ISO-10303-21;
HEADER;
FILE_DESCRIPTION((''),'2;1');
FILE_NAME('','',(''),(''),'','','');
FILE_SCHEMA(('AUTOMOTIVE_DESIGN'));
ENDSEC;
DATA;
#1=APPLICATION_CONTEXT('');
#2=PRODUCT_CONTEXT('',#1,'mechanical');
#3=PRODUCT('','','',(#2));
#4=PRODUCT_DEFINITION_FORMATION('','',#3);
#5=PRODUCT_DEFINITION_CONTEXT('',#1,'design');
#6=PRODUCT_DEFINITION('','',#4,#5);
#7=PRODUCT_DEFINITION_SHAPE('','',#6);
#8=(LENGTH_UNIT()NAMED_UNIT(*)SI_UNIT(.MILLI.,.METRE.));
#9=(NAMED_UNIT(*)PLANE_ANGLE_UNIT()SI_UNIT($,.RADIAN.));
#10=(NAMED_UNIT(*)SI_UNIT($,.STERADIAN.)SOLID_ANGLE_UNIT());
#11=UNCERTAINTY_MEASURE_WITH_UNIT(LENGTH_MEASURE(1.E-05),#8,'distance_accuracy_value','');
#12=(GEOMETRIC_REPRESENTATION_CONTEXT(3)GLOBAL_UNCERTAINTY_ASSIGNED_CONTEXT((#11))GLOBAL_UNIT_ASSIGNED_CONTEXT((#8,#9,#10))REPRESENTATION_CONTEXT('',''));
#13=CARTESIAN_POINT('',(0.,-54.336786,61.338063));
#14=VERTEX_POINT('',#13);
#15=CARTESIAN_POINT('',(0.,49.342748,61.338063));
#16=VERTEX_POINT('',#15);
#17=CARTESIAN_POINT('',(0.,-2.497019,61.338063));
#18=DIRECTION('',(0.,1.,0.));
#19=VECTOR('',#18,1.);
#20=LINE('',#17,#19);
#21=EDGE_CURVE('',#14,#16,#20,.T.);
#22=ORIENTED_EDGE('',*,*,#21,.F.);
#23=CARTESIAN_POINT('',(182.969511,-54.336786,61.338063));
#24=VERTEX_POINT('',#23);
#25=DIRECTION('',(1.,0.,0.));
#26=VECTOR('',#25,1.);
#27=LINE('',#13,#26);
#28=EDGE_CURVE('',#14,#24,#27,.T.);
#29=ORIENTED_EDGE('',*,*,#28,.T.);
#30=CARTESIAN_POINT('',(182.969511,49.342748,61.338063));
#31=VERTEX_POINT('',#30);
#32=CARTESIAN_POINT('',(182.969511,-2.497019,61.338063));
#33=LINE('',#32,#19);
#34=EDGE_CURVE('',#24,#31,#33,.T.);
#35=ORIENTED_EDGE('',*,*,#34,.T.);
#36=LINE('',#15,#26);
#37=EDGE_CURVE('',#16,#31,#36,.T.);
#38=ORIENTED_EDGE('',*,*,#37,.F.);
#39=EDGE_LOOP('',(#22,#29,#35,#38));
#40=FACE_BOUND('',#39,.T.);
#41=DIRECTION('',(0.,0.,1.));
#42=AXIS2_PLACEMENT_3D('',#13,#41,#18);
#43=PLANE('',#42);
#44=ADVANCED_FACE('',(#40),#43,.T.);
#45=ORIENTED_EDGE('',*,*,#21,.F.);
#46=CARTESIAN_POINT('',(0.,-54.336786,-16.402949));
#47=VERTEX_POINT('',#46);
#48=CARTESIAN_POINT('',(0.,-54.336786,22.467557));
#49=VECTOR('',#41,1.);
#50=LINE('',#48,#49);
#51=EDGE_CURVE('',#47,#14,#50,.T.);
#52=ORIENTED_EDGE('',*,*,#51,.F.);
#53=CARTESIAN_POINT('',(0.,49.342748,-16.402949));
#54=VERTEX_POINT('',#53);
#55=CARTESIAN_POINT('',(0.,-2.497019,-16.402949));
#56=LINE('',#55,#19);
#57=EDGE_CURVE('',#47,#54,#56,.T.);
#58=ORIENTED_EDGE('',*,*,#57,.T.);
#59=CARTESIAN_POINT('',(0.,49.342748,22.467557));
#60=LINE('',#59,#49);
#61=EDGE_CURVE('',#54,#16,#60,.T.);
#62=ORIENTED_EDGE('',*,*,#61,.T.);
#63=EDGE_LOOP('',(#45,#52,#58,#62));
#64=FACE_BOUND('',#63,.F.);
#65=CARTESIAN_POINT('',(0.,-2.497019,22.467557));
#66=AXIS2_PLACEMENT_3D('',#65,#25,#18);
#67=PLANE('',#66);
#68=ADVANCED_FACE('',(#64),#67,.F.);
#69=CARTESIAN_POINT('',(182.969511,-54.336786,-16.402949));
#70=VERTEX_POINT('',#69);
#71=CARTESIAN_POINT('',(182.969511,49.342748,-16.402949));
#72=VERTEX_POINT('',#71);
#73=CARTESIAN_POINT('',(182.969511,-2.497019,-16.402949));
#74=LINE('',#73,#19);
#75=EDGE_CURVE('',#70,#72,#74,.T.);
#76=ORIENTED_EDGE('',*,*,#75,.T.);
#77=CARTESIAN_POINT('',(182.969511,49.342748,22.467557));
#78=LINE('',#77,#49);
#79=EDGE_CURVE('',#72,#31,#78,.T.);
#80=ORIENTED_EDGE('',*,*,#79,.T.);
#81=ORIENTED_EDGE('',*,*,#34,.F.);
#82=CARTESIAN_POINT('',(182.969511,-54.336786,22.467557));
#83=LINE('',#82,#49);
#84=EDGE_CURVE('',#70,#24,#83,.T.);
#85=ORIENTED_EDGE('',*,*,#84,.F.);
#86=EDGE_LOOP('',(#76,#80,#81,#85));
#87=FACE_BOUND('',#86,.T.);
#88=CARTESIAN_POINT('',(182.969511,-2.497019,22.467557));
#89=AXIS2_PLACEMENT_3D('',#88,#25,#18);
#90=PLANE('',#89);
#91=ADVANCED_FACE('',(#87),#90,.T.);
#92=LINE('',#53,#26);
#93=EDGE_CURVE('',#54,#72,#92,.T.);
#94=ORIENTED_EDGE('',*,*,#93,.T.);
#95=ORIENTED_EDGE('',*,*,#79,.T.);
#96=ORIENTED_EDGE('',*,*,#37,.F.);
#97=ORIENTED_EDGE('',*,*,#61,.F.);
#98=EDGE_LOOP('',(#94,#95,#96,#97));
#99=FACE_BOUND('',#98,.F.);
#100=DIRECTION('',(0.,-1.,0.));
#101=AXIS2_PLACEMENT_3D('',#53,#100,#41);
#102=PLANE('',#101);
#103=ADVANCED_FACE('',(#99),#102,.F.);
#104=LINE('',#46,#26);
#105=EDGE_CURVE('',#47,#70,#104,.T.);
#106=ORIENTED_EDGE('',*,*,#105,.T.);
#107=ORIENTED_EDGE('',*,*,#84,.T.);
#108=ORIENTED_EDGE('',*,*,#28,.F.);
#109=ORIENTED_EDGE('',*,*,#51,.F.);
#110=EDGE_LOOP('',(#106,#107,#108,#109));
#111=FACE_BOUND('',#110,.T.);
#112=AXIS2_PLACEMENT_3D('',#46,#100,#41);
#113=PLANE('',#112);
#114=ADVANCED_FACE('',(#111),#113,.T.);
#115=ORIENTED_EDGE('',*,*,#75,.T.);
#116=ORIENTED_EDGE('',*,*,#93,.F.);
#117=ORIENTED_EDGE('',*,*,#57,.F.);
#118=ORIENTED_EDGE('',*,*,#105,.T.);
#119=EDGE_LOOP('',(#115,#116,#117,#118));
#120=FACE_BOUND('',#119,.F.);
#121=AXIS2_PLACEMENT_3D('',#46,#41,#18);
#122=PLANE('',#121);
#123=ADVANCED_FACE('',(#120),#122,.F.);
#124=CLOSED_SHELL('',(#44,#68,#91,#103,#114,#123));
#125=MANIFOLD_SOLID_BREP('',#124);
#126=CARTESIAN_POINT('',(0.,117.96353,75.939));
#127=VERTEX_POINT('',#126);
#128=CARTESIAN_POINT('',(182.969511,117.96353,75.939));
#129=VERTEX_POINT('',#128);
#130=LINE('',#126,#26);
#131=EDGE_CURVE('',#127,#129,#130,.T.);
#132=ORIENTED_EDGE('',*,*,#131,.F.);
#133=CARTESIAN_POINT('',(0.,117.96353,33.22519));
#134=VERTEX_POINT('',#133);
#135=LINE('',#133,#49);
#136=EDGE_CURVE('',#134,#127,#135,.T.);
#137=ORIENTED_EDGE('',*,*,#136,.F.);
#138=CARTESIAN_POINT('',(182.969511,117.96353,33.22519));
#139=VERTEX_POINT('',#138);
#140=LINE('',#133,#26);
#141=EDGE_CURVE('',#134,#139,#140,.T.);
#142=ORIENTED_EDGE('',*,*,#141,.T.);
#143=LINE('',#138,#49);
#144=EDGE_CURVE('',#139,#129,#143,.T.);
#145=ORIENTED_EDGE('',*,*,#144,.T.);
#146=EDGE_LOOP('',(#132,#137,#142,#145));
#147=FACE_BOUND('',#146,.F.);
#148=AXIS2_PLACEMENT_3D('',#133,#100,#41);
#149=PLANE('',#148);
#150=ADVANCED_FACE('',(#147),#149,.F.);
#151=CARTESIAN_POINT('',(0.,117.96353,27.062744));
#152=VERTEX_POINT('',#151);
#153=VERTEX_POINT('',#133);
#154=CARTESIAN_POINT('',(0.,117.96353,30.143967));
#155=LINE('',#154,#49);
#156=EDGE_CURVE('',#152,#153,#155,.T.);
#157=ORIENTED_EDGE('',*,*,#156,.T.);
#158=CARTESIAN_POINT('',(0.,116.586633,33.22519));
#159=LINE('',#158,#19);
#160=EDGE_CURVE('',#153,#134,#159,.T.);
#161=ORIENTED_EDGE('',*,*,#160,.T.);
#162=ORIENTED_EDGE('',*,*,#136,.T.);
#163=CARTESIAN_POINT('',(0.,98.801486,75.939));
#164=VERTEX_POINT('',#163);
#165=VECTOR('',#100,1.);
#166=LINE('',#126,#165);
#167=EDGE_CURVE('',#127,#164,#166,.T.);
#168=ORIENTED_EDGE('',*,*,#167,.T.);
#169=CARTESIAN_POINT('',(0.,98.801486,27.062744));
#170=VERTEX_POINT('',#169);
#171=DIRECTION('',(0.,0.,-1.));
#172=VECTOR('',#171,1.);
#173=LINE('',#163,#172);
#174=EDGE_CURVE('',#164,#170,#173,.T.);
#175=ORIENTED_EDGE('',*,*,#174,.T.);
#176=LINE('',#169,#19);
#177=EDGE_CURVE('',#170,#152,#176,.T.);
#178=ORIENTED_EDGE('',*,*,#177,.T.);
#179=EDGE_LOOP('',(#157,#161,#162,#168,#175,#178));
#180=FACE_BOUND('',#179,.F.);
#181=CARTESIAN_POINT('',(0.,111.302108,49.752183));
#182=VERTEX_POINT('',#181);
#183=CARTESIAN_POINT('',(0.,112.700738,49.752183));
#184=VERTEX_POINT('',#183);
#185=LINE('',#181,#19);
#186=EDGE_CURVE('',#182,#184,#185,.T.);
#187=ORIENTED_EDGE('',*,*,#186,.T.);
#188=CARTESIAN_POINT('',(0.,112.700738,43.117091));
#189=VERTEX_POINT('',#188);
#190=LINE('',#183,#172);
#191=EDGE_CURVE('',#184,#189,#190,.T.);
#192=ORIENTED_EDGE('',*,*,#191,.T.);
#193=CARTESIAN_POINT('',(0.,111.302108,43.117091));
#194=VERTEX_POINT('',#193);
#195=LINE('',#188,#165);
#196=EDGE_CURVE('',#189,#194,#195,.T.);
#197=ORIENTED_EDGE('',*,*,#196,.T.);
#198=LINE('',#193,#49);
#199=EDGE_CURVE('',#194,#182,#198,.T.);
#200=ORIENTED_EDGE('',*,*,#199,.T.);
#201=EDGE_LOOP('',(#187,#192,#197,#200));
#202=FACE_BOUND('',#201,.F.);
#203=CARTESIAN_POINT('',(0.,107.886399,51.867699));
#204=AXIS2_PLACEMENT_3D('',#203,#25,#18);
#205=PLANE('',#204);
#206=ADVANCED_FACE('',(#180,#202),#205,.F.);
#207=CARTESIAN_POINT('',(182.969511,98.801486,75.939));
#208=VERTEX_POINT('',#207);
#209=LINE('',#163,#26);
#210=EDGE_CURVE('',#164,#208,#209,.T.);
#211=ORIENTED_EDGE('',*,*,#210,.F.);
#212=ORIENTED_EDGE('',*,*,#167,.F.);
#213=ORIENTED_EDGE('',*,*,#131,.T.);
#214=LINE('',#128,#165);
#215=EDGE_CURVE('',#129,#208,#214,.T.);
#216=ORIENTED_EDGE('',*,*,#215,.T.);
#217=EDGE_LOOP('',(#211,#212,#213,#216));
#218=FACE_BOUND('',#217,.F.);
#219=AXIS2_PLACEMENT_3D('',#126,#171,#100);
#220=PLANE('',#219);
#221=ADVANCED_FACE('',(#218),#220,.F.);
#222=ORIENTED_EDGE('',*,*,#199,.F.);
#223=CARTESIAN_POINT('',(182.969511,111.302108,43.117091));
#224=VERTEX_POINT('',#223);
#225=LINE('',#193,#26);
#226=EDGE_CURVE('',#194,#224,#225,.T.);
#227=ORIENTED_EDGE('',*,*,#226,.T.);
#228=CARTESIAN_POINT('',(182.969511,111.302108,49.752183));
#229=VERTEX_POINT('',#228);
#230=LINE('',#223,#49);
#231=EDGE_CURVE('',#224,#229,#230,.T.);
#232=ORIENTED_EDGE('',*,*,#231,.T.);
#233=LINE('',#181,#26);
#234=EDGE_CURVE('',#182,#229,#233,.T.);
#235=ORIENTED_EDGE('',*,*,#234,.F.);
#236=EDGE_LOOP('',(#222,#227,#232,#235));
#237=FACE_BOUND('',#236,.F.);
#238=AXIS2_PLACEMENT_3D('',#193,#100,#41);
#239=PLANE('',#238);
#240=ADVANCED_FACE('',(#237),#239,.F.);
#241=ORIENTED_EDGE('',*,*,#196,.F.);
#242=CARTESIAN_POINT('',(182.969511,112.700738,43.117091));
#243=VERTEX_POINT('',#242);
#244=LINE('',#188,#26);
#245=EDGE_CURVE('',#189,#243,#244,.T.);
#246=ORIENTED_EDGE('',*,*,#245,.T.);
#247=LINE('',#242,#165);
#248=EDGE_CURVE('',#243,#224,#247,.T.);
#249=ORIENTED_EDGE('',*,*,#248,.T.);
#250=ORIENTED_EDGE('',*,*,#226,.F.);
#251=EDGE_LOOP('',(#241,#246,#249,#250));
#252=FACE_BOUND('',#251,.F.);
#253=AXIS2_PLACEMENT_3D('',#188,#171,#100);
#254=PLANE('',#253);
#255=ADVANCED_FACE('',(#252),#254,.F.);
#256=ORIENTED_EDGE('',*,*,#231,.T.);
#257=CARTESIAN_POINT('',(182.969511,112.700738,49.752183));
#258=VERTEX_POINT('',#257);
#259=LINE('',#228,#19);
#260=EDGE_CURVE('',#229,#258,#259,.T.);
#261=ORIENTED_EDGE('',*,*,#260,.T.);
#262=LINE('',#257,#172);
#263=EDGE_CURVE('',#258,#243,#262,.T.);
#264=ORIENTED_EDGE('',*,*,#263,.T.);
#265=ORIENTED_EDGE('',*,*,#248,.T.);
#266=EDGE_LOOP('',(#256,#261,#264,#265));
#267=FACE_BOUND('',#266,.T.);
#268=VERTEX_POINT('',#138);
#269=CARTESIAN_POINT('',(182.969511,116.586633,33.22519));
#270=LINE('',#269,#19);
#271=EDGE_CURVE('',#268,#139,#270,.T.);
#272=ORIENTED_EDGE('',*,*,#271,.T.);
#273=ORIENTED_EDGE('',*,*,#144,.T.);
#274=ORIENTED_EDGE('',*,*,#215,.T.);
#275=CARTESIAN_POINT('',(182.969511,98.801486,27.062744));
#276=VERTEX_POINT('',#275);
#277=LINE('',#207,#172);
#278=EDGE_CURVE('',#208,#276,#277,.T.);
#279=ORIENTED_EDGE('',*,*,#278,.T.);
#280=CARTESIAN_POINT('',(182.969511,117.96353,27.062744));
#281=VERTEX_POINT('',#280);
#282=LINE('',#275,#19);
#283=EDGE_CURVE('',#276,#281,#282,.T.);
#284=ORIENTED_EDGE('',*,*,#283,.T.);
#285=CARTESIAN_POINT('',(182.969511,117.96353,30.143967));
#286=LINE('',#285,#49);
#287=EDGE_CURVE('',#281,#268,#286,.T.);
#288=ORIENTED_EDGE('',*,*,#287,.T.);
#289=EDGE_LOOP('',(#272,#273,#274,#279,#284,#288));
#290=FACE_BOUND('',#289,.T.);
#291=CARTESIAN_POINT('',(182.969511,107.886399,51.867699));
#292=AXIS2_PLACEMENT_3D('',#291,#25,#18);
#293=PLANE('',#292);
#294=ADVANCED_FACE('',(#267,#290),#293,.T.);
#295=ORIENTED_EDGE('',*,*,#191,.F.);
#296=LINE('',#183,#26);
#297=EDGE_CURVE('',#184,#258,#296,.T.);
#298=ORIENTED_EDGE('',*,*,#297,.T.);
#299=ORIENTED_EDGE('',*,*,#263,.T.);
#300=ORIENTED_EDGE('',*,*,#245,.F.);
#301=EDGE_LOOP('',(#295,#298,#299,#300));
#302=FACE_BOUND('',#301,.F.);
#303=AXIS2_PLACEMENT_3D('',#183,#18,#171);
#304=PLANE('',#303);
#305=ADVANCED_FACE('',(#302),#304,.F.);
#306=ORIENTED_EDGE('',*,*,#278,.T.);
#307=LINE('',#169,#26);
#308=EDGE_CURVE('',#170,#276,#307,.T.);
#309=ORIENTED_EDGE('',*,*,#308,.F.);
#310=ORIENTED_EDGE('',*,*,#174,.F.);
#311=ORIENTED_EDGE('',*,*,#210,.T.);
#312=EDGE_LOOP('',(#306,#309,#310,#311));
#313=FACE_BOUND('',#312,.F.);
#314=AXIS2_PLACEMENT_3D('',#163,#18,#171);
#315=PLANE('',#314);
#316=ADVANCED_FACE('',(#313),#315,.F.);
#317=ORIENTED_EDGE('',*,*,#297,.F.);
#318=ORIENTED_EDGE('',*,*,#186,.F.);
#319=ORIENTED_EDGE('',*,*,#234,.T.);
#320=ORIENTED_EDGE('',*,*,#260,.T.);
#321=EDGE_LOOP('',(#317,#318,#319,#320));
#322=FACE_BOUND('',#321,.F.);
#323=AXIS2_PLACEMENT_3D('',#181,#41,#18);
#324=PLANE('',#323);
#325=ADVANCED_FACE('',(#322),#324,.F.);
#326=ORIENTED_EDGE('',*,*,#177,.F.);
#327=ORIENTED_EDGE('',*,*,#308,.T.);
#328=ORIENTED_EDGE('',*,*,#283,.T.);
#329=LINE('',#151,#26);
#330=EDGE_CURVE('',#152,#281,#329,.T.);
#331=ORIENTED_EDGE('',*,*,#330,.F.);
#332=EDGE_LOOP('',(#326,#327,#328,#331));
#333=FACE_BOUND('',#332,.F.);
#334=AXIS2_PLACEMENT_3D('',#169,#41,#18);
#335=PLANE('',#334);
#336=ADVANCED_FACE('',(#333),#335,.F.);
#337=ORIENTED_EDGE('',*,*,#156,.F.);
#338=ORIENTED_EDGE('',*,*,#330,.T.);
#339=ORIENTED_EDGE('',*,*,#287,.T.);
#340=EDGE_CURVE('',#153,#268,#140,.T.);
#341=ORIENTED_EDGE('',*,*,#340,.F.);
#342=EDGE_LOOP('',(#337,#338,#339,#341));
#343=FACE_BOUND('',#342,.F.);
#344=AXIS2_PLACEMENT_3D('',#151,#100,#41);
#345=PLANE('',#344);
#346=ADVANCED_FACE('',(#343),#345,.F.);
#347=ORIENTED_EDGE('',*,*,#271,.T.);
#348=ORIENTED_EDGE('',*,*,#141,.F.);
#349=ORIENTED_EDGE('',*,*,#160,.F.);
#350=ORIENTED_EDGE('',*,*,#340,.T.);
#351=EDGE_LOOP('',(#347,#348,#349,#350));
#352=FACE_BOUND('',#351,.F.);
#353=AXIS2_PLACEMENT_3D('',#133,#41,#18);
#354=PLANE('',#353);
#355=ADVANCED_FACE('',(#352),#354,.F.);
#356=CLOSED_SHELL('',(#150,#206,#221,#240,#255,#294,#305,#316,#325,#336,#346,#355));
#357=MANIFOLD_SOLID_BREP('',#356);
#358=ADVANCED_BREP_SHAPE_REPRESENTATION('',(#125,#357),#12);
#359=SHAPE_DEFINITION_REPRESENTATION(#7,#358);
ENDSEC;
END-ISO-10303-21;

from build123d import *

# Parameters (mm, degrees)
F0_W     = 1.376897
F0_H     = 6.162446
F0_W_2   = 103.679534
F0_H_2   = 77.741012
F1_DEPTH = 182.969511


with BuildPart() as f1:
    # F0 (on Right) → F1 (new body)
    with BuildSketch(Plane.YZ):
        Polygon((116.586633, 33.22519), (117.96353, 33.22519), (117.96353, 47.895301), (112.700738, 47.895301), (112.700738, 43.117091), (111.302108, 43.117091), (111.302108, 47.895301), (106.690735, 47.895301), (106.690735, 65.501198), (117.96353, 65.501198), (117.96353, 75.939), (98.801486, 75.939), (98.801486, 27.062744), (116.586633, 27.062744), align=None)
        with Locations((117.275081, 30.143967)):
            Rectangle(F0_W, F0_H)
        Polygon((112.700738, 47.895301), (117.96353, 47.895301), (117.96353, 65.501198), (106.690735, 65.501198), (106.690735, 47.895301), (111.302108, 47.895301), (111.302108, 49.752183), (112.700738, 49.752183), align=None)
        with Locations((-2.497019, 22.467557)):
            Rectangle(F0_W_2, F0_H_2)
    extrude(amount=F1_DEPTH)


solid = f1.part
